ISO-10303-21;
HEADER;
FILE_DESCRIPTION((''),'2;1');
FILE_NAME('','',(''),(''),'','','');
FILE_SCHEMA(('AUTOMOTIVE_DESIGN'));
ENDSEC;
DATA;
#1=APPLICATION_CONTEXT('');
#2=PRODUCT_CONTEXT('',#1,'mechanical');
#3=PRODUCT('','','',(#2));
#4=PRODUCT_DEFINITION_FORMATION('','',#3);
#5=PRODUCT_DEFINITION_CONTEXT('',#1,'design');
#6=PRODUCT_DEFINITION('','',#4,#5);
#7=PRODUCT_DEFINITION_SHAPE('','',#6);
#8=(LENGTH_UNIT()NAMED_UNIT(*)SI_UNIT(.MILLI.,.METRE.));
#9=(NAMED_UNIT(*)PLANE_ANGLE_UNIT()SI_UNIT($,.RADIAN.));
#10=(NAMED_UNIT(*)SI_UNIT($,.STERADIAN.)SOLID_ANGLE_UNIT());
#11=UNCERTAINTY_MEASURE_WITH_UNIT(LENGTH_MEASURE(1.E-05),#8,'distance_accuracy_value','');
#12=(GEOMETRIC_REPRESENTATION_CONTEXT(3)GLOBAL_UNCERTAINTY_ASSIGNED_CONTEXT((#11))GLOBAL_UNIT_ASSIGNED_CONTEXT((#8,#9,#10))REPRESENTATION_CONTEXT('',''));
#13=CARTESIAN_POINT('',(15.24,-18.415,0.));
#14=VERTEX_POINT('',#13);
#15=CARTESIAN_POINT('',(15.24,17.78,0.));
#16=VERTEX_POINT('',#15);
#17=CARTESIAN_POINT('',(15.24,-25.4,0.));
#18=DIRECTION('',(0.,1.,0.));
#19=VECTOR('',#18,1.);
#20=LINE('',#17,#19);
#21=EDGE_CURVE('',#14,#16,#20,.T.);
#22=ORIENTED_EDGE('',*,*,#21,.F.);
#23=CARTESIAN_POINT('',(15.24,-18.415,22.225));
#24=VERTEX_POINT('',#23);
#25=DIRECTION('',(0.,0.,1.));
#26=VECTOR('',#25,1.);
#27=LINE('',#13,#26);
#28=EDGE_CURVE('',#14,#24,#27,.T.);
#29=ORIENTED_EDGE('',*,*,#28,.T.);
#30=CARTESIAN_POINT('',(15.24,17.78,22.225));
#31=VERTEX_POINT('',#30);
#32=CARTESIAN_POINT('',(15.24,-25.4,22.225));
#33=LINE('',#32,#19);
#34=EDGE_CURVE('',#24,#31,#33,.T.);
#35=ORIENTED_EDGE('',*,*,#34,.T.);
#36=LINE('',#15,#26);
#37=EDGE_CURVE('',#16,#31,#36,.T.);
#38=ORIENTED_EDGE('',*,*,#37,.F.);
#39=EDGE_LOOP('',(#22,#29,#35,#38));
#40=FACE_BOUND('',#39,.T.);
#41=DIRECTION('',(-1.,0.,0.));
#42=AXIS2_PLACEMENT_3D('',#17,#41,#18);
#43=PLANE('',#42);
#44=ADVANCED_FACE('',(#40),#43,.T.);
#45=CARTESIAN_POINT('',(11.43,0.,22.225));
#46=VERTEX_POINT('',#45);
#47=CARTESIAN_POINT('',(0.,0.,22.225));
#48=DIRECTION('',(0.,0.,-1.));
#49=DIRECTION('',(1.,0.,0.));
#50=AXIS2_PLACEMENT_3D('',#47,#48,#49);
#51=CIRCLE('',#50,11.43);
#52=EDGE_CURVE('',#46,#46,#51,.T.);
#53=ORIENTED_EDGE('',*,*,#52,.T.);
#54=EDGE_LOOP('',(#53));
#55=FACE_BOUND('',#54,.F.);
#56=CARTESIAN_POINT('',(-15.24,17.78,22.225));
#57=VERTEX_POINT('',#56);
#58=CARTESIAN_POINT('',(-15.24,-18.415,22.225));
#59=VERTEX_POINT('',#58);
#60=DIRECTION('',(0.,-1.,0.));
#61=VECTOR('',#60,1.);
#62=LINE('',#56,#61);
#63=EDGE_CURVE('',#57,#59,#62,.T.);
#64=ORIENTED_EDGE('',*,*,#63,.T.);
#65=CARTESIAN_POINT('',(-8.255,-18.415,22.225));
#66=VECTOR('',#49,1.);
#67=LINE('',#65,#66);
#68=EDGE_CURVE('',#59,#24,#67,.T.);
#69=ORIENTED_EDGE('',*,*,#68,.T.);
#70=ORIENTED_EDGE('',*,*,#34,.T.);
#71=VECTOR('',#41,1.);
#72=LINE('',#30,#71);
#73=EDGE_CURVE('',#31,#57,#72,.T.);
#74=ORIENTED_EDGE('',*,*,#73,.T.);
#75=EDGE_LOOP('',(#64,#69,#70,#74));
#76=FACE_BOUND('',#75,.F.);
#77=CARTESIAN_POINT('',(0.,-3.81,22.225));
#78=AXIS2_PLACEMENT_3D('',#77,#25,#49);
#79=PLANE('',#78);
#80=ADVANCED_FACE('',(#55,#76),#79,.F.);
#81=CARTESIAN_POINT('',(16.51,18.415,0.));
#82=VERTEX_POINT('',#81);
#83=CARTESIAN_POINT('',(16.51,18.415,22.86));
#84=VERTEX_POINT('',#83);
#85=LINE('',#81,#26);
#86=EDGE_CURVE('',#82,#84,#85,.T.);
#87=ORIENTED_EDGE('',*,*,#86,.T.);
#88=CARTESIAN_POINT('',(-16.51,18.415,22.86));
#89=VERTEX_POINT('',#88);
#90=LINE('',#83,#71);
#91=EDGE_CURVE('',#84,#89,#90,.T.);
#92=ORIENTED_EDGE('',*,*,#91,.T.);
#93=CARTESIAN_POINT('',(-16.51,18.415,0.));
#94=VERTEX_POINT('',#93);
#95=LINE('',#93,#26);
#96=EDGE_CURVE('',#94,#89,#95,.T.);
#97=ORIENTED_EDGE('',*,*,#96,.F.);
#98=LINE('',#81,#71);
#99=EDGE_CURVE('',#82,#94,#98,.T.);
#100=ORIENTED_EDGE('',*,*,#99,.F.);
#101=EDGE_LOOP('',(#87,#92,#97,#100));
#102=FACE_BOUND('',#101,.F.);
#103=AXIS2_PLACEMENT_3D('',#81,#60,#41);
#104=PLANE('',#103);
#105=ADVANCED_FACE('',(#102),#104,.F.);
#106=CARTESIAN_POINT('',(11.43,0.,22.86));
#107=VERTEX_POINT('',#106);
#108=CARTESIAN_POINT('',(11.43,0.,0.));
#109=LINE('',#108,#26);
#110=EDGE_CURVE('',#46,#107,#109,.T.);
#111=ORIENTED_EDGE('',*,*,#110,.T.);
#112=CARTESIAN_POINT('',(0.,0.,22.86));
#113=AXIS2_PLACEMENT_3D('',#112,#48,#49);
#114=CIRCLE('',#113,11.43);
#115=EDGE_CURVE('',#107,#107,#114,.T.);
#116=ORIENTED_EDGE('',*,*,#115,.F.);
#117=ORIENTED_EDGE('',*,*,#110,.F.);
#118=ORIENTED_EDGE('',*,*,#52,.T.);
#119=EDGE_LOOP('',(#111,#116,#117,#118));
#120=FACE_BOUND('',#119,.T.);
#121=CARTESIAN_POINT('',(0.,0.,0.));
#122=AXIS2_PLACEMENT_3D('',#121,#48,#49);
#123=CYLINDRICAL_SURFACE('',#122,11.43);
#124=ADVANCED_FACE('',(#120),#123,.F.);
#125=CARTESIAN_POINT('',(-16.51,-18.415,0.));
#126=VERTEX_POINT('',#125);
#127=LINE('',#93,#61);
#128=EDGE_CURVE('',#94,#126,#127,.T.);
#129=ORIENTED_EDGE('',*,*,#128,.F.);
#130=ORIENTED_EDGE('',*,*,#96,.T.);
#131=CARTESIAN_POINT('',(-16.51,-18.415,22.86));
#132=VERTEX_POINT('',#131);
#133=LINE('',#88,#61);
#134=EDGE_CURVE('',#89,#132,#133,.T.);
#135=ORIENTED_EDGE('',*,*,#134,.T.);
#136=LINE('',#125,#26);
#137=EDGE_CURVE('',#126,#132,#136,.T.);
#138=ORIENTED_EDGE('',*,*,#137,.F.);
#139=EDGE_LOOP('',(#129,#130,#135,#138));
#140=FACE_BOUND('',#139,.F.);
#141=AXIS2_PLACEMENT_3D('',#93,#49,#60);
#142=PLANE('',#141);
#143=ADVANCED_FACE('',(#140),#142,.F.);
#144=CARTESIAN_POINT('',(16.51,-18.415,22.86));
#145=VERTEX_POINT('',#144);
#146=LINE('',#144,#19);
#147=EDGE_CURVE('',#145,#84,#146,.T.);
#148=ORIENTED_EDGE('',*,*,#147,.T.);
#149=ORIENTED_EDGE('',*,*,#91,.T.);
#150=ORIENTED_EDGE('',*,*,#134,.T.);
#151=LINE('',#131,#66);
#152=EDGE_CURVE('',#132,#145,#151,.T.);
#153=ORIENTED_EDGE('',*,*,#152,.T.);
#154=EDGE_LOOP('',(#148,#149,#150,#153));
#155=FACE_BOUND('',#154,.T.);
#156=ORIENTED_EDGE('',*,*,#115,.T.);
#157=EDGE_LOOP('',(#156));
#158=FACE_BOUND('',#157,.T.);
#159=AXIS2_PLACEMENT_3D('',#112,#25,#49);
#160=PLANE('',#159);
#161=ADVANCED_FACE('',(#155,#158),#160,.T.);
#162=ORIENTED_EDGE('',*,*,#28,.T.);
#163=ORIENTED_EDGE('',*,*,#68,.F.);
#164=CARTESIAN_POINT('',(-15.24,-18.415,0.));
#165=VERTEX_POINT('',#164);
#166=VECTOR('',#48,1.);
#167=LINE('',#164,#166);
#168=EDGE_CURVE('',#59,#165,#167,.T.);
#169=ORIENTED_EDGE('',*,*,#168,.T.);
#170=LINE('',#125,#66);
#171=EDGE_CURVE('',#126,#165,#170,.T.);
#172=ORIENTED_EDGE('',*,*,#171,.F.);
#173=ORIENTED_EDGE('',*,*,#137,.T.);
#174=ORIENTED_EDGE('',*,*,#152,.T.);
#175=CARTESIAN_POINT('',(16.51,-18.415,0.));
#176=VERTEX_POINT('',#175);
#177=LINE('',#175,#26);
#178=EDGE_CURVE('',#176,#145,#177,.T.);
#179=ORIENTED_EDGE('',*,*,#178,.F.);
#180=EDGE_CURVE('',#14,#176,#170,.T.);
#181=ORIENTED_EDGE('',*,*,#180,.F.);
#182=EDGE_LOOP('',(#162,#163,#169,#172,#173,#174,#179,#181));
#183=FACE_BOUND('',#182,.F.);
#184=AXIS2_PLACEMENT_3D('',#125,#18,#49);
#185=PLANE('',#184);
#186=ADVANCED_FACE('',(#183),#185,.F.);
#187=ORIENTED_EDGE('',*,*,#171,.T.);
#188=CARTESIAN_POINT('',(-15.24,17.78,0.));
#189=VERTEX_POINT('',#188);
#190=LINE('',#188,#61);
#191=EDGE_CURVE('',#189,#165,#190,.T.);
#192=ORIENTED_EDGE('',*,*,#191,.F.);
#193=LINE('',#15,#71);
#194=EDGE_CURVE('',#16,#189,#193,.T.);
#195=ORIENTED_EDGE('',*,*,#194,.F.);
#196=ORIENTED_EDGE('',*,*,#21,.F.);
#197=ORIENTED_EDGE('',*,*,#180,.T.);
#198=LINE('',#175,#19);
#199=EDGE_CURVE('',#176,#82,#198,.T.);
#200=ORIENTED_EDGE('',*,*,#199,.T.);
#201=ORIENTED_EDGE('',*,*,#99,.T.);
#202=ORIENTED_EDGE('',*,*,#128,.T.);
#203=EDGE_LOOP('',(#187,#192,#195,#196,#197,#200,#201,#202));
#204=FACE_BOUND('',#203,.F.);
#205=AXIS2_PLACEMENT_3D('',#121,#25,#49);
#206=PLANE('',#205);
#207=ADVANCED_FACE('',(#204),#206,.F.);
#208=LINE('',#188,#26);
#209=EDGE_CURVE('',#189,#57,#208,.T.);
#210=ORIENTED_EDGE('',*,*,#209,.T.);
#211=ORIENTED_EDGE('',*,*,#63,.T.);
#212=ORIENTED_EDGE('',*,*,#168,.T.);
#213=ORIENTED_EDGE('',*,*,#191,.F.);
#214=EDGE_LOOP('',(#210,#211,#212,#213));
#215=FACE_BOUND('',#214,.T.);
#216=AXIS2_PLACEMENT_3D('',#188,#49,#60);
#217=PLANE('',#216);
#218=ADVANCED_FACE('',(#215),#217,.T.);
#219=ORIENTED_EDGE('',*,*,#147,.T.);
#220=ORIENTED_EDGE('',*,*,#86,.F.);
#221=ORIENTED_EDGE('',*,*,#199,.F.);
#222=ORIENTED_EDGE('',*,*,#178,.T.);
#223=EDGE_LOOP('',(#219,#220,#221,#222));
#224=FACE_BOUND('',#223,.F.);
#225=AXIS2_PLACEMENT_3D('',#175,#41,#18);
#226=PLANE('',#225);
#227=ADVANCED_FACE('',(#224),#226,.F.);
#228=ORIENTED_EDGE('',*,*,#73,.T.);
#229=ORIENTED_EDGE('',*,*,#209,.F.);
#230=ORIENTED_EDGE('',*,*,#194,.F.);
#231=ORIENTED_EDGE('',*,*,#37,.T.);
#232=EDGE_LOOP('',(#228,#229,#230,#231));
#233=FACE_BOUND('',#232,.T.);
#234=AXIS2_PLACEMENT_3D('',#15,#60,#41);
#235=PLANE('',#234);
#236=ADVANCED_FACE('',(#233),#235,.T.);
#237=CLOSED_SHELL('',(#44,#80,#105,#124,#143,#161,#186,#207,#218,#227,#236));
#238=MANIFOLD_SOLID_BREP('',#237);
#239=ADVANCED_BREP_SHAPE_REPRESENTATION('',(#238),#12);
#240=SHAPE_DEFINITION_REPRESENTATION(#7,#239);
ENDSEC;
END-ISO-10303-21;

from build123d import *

# Parameters (mm, degrees)
F1_DEPTH = 22.86
F2_R     = 11.43
F3_DEPTH = 22.861
F5_DEPTH = 22.225
F7_DEPTH = 11.9126


with BuildPart() as f1:
    # F0 (on Top) → F1 (new body)
    with BuildSketch(Plane.XY):
        Polygon((-16.51, 18.415), (-16.51, 0), (-16.51, -18.415), (16.51, -18.415), (16.51, 18.415), align=None)
    extrude(amount=F1_DEPTH)

    # F2 (on Top) → F3 (cut, through all)
    with BuildSketch(Plane.XY):
        Circle(F2_R)
    extrude(amount=F3_DEPTH, mode=Mode.SUBTRACT)

    # F4 (on Top) → F5 (cut)
    with BuildSketch(Plane.XY):
        Polygon((-15.24, 17.78), (-15.24, 0), (-15.24, -17.78), (-15.24, -25.4), (15.24, -25.4), (15.24, -17.78), (15.24, 17.78), align=None)
    extrude(amount=F5_DEPTH, mode=Mode.SUBTRACT)

    # F6 (on Top) → F7 (cut)
    with BuildSketch(Plane.XY):
        Polygon((12.568022, 0), (0, 0), (-12.568022, 0), (-12.568022, -23.286249), (12.568022, -23.286249), align=None)
    extrude(amount=F7_DEPTH, mode=Mode.SUBTRACT)


solid = f1.part
